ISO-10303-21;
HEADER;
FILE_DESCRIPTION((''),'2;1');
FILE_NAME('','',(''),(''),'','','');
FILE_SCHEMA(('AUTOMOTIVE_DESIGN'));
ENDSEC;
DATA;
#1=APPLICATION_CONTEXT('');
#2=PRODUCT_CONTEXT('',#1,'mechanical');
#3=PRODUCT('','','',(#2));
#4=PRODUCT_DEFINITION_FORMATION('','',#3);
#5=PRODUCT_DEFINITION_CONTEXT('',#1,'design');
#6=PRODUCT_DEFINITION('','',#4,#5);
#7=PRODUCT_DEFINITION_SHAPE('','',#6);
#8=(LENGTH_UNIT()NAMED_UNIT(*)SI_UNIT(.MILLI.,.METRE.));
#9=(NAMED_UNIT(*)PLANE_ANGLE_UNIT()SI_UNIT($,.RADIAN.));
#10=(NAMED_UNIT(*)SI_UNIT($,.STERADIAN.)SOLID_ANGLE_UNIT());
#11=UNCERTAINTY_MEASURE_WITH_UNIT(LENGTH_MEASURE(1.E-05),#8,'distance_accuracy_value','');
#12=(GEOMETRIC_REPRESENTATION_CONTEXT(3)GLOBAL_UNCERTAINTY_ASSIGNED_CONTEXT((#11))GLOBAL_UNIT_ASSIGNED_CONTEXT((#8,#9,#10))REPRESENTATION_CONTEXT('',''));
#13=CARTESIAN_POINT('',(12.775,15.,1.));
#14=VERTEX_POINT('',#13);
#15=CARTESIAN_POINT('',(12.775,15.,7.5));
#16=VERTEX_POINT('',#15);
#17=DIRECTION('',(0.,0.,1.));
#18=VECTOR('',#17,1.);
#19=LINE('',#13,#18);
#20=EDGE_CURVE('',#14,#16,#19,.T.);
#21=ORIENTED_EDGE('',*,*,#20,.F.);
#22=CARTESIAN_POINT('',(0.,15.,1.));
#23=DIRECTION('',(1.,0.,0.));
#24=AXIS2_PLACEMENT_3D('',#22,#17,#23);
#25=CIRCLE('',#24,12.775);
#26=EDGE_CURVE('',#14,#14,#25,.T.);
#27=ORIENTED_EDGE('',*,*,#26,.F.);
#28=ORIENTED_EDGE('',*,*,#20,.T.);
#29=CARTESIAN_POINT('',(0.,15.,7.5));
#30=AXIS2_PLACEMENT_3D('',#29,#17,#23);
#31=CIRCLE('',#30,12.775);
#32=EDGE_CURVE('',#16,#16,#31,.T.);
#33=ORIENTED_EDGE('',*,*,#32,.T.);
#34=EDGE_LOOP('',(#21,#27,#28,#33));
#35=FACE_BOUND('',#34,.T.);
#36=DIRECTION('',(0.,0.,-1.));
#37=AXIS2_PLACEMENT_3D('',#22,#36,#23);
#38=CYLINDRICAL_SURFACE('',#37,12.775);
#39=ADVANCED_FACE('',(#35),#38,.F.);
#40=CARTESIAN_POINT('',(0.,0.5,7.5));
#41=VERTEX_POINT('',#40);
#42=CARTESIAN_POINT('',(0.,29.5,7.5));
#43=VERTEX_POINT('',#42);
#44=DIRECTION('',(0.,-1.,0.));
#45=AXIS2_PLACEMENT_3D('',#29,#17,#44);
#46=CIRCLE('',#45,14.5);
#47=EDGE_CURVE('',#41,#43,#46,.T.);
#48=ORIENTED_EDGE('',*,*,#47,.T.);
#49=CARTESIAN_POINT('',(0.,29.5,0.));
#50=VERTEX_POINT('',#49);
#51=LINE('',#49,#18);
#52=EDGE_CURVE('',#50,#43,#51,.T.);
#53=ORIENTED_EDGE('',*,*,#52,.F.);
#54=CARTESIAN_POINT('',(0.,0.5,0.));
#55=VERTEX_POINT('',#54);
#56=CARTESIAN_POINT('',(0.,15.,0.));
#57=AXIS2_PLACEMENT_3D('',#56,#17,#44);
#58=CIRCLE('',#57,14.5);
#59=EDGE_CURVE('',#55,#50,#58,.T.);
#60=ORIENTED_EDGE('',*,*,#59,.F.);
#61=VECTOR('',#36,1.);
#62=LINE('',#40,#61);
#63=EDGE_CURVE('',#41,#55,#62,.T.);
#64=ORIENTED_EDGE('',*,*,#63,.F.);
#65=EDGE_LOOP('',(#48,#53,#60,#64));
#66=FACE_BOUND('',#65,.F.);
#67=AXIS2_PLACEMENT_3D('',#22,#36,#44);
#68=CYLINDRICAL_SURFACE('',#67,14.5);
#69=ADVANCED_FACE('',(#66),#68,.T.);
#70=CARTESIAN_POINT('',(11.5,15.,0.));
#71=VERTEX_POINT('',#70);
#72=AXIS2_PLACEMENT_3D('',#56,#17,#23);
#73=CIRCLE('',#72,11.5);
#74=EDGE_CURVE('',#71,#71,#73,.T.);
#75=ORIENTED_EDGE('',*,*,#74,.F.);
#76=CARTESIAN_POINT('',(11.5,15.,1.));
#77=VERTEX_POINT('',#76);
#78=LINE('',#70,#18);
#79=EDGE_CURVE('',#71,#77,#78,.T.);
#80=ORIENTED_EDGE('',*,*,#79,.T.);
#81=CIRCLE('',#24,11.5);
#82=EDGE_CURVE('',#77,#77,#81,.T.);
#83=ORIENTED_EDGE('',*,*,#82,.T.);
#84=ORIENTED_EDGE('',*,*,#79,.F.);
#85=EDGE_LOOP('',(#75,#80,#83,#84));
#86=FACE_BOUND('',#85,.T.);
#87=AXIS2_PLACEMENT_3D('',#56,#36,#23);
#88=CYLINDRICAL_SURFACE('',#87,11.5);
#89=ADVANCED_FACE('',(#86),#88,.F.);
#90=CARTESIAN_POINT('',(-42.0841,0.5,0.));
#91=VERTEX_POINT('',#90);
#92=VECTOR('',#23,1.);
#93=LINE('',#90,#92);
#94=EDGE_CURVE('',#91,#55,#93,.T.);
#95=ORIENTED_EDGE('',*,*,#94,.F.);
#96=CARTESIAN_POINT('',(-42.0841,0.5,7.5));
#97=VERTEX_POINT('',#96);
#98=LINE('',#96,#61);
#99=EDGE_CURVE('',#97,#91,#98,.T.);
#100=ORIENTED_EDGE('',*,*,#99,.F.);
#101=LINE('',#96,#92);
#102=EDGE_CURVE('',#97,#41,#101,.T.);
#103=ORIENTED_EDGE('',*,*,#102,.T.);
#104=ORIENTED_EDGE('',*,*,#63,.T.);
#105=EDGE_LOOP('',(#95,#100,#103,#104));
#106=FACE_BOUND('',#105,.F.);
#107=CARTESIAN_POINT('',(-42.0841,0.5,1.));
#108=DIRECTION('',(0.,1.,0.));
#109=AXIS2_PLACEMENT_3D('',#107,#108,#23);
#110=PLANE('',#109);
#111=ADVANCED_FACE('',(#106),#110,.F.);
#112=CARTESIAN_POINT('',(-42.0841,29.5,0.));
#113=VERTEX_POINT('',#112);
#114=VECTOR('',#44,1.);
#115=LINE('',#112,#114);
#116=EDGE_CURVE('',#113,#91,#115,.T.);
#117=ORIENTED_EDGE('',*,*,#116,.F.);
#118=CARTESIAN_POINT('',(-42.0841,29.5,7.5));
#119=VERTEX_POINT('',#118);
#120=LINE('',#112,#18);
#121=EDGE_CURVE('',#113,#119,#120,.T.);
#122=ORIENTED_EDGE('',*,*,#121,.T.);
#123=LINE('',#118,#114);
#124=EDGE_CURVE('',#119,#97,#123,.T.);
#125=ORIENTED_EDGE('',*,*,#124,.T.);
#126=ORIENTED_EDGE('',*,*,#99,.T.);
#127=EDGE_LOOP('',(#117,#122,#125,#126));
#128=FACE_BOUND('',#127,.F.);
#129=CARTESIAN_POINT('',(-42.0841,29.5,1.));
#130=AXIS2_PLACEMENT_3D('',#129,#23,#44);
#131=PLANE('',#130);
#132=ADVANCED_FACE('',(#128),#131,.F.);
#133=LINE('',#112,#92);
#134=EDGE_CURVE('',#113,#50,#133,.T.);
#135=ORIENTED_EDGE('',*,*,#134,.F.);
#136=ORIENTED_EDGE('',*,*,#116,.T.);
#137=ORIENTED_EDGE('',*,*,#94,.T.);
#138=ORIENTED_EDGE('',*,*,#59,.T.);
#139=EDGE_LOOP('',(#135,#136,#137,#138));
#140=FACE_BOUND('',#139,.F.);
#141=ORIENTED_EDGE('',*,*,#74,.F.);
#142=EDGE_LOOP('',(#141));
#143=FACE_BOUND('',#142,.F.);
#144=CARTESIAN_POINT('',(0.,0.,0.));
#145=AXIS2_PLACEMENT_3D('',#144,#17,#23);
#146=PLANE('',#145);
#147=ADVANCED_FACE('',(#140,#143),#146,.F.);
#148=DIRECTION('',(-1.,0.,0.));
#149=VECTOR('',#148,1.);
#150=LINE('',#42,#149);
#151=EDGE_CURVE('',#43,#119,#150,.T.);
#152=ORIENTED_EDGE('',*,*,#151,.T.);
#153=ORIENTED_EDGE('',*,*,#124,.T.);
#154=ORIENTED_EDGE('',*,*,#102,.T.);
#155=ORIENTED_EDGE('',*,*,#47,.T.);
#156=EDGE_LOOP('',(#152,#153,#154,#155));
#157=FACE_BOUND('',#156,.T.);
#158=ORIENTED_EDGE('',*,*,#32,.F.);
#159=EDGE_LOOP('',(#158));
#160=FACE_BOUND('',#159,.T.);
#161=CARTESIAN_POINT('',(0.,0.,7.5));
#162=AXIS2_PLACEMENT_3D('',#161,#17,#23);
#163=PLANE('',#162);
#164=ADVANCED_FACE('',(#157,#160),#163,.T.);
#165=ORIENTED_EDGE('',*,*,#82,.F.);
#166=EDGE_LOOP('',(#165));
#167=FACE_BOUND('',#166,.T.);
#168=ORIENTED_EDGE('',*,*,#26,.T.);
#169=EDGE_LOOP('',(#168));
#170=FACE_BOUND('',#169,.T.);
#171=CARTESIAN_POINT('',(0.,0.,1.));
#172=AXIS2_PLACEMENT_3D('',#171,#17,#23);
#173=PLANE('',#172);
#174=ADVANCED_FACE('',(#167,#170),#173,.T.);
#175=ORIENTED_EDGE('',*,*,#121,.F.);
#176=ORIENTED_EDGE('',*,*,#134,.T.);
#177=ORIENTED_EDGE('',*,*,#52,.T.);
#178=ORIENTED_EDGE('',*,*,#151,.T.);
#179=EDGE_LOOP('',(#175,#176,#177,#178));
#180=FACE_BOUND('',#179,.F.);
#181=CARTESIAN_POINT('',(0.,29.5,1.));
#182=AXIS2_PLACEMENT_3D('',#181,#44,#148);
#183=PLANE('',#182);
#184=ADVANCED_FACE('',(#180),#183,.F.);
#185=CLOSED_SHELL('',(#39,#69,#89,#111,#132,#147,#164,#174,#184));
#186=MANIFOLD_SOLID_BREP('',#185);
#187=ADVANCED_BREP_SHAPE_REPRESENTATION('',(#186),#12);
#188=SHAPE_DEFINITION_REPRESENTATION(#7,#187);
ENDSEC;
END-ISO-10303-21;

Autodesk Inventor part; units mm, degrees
ref_plane "YZ Plane" through (0, 0, 0) normal (1, 0, 0) x (0, 1, 0)
ref_plane "XZ Plane" through (0, 0, 0) normal (0, 1, 0) x (-1, 0, 0)
ref_plane "XY Plane" through (0, 0, 0) normal (0, 0, 1) x (1, 0, 0)
ref_plane "Work Plane1" through (0, 0, 0) normal (0, 0, 1) x (1, 0, 0)
sketch "Sketch1" plane through (0, 0, 0) normal (0, 0, 1) x (1, 0, 0)
  arc A0 (-18.155, 30) -> (-18.155, 0) centre (0, 15) ccw construction
  line L0 (-18.155, 0) -> (-3.4871, 0) construction
  line L1 (-18.155, 30) -> (-3.4871, 30) construction
  circle A1 centre (0, 15) radius 15.4 construction
  arc A2 (-6.5238, 29.5) -> (-6.5238, 0.5) centre (0, 15) ccw construction
  line L2 (-6.5238, 0.5) -> (-17.9179, 0.5) construction
  arc A3 (-17.9179, 29.5) -> (-17.9179, 0.5) centre (0, 15) ccw construction
  line L3 (-17.9179, 29.5) -> (-6.5238, 29.5) construction
  circle A4 centre (0, 15) radius 12.775 construction
  line L4 (-6.5238, 29.5) -> (0, 29.5) construction
  line L5 (-6.5238, 0.5) -> (0, 0.5) construction
  arc A5 (0, 0.5) -> (0, 29.5) centre (0, 15) ccw construction
  line L6 (-42.0841, 29.5) -> (-42.0841, 0.5)
  line L7 (-42.0841, 0.5) -> (0, 0.5)
  line L8 (-42.0841, 29.5) -> (0, 29.5)
  circle A6 centre (0, 15) radius 11.5
  arc A7 (0, 0.5) -> (0, 29.5) centre (0, 15) ccw
  arc A8 (-3.4871, 0) -> (3.4871, 0) centre (0, 15) ccw projected
  line L9 (3.4871, 0) -> (18, 0) projected
  line L10 (18, 0) -> (18, 30) projected
  line L11 (3.4871, 30) -> (18, 30) projected
  arc A9 (3.4871, 30) -> (-3.4871, 30) centre (0, 15) ccw projected
  line L12 (-7.3927, 28.5095) -> (7.3927, 28.5095) projected
  arc A10 (7.3927, 1.4905) -> (7.3927, 28.5095) centre (0, 15) ccw projected
  line L13 (7.3927, 1.4905) -> (-7.3927, 1.4905) projected
  arc A11 (-7.3927, 28.5095) -> (-7.3927, 1.4905) centre (0, 15) ccw projected
  point P0 (0, 0)
  dimension "d0" = 0.5
  dimension "d1" = 25.55
  dimension "d2" = 23
extrude "Extrusion1" add sketch "Sketch1" along normal blind 1 contours L8 A7 L12 A11 L13 L7 L6 | A7 L13 A11 L12
sketch "Sketch2" plane through (0, 0, 1) normal (0, 0, 1) x (1, 0, 0)
  circle A0 centre (0, 15) radius 11.5 projected
  line L0 (0, 29.5) -> (-42.0841, 29.5) projected
  line L1 (-42.0841, 29.5) -> (-42.0841, 0.5) projected
  line L2 (-42.0841, 0.5) -> (0, 0.5) projected
  arc A1 (0, 0.5) -> (0, 29.5) centre (0, 15) ccw projected
  circle A2 centre (0, 15) radius 12.775
  point P0 (0, 0)
  dimension "d5" = 25.55
extrude "Extrusion2" add sketch "Sketch2" along normal blind 6.5 contours A1 L2 L1 L0
properties part number "10_Filteslide_25mm"
